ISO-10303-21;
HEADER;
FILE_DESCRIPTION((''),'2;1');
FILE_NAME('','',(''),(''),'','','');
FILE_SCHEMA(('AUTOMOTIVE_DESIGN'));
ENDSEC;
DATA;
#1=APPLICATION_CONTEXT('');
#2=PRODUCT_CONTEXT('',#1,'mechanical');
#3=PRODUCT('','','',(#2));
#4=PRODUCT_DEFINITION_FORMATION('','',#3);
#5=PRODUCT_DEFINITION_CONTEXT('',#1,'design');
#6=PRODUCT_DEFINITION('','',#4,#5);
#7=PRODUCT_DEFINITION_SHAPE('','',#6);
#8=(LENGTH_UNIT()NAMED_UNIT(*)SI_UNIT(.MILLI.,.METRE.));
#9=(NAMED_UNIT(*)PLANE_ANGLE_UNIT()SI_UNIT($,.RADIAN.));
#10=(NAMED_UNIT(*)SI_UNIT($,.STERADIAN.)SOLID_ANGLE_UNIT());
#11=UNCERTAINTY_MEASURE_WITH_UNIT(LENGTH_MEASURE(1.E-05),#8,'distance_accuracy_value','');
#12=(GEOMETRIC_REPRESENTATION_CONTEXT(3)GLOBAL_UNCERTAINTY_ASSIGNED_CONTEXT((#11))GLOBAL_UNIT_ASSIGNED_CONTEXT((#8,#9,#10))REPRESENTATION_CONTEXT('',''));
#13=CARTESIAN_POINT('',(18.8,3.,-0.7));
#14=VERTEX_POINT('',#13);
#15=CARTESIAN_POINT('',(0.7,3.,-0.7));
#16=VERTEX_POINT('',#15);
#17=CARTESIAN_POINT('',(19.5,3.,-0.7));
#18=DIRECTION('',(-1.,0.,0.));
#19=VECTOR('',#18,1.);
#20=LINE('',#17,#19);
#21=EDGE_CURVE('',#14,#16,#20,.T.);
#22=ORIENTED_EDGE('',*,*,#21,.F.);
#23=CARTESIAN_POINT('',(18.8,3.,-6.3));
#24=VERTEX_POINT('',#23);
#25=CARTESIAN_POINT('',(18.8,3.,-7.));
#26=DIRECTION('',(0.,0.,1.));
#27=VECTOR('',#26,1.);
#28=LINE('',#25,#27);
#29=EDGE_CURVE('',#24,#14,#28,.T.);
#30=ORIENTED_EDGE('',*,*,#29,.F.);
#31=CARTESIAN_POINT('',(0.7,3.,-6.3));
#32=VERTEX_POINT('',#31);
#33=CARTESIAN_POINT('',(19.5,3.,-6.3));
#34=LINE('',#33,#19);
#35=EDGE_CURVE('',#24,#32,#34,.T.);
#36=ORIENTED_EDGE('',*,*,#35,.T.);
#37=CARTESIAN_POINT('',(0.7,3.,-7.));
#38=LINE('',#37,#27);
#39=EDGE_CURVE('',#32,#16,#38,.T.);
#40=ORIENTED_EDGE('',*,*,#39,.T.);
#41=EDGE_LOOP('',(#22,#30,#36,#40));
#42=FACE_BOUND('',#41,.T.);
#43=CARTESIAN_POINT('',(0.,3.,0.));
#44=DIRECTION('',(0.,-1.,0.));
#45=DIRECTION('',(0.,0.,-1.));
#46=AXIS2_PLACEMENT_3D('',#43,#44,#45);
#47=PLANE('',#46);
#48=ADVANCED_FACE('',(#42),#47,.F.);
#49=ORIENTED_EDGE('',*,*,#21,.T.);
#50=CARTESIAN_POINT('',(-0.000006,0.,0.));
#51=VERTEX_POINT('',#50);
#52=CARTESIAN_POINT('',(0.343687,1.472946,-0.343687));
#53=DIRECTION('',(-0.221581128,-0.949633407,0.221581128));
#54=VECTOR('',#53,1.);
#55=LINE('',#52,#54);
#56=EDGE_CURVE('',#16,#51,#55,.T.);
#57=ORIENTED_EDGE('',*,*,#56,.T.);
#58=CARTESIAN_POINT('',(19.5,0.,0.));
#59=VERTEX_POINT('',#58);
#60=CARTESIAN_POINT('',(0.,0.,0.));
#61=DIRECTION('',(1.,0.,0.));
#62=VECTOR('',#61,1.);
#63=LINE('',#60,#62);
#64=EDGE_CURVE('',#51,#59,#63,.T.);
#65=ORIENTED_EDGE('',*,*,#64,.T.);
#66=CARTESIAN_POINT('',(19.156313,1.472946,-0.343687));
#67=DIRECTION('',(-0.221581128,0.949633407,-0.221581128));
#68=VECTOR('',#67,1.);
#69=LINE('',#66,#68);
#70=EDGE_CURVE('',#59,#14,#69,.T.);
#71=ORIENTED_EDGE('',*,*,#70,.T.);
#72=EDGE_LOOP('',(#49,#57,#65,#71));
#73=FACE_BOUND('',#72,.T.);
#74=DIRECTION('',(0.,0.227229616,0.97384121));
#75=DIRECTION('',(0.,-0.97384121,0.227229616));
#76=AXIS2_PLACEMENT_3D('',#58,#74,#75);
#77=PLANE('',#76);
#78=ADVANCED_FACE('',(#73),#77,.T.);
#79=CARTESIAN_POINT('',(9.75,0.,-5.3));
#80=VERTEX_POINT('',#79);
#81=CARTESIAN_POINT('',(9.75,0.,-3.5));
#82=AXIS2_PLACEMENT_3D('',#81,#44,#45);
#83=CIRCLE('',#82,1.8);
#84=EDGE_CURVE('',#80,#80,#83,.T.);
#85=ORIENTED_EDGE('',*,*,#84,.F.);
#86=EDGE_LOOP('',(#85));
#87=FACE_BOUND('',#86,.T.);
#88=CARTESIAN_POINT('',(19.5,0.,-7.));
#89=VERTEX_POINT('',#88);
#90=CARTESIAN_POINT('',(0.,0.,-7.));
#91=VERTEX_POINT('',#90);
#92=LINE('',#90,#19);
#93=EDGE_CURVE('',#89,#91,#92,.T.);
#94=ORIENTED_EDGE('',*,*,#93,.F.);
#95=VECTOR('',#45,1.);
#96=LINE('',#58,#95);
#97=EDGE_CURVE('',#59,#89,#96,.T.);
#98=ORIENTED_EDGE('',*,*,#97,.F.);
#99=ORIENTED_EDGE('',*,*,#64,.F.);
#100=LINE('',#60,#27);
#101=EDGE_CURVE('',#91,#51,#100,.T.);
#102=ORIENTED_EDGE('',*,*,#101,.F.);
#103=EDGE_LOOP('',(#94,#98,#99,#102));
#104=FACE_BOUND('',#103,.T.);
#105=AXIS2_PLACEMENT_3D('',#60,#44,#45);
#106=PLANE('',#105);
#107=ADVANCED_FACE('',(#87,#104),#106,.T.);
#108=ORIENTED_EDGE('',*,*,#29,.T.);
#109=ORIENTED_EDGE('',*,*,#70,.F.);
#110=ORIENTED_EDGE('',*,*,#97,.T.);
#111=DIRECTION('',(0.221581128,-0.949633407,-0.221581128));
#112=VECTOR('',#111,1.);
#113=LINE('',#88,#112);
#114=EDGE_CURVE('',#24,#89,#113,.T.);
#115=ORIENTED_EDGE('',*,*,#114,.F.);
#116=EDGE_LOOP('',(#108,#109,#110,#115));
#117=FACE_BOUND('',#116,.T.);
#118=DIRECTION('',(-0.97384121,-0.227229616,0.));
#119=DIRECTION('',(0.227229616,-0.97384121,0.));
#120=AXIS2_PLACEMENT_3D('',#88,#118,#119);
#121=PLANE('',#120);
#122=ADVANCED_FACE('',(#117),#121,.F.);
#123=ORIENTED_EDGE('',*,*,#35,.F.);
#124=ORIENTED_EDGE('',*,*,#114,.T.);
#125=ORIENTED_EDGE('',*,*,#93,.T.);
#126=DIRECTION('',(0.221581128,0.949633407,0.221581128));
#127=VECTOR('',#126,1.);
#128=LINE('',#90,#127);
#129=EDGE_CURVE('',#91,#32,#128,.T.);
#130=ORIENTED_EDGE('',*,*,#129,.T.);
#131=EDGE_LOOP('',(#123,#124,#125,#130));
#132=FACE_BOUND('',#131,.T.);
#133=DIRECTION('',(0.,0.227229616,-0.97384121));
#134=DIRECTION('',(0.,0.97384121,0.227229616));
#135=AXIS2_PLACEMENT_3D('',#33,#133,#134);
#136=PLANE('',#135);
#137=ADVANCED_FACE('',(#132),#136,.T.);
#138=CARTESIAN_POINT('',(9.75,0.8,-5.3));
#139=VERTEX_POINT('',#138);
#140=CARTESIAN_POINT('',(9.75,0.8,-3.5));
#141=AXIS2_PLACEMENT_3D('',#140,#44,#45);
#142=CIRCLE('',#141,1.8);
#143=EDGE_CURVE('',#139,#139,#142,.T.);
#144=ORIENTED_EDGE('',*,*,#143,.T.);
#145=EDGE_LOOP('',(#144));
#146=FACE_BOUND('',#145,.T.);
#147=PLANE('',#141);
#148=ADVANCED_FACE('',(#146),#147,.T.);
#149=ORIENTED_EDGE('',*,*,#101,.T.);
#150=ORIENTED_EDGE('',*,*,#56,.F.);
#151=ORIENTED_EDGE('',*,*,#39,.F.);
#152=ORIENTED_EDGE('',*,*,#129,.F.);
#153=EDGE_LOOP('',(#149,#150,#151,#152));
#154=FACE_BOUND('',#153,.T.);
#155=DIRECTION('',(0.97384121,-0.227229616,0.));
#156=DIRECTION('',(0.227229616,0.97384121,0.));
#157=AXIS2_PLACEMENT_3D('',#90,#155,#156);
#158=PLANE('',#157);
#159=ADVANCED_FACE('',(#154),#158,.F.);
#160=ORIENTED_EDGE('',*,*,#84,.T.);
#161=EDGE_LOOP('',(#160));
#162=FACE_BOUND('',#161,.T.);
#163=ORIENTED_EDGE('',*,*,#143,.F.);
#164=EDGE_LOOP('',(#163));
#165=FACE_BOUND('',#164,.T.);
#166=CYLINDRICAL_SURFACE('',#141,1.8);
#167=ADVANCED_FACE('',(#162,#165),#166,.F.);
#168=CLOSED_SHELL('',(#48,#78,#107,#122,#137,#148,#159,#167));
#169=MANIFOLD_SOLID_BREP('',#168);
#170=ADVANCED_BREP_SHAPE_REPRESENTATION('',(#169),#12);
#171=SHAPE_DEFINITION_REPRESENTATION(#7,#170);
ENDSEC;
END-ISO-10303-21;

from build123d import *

# Parameters (mm, degrees)
SKETCH1_W               = 19.5
SKETCH1_H               = 7
BOSS_EXTRUDE1_DEPTH     = 3
CUT_EXTRUDE1_DEPTH      = 7
CUT_EXTRUDE2_DEPTH      = 21.934421415
CUT_EXTRUDE2_DEPTH_BACK = 21.934421415
SKETCH4_R               = 1.8
CUT_EXTRUDE3_DEPTH      = 0.8


with BuildPart() as part:
    # Sketch1 → Boss-Extrude1 (new body)
    with BuildSketch(Plane(origin=(0, 0, 0), x_dir=(1, 0, 0), z_dir=(0, 1, 0))):
        with Locations((9.75, 3.5)):
            Rectangle(SKETCH1_W, SKETCH1_H)
    extrude(amount=BOSS_EXTRUDE1_DEPTH)

    # Sketch2 → Cut-Extrude1 (cut)
    with BuildSketch(Plane.XY):
        Polygon((0, 0), (0.7, 3), (0, 3), align=None)
        Polygon((19.5, 0), (18.8, 3), (19.5, 3), align=None)
    extrude(amount=-CUT_EXTRUDE1_DEPTH, mode=Mode.SUBTRACT)

    # Sketch3 → Cut-Extrude2 (cut, two sides: drawn at the far end of the back side and taken through both)
    with BuildSketch(Plane(origin=(0, 0, 0), x_dir=(0, 0, -1), z_dir=(1, 0, 0)).offset(-CUT_EXTRUDE2_DEPTH_BACK)):
        Polygon((0, 0), (0.7, 3), (0, 3), align=None)
        Polygon((7, 3), (6.3, 3), (7, 0), align=None)
    extrude(amount=CUT_EXTRUDE2_DEPTH + CUT_EXTRUDE2_DEPTH_BACK, mode=Mode.SUBTRACT)

    # Sketch4 → Cut-Extrude3 (cut)
    with BuildSketch(Plane.XZ):
        with Locations(Location((9.75, -3.5, 0), (0, 0, 270))):
            Circle(SKETCH4_R)
    extrude(amount=-CUT_EXTRUDE3_DEPTH, mode=Mode.SUBTRACT)


solid = part.part
